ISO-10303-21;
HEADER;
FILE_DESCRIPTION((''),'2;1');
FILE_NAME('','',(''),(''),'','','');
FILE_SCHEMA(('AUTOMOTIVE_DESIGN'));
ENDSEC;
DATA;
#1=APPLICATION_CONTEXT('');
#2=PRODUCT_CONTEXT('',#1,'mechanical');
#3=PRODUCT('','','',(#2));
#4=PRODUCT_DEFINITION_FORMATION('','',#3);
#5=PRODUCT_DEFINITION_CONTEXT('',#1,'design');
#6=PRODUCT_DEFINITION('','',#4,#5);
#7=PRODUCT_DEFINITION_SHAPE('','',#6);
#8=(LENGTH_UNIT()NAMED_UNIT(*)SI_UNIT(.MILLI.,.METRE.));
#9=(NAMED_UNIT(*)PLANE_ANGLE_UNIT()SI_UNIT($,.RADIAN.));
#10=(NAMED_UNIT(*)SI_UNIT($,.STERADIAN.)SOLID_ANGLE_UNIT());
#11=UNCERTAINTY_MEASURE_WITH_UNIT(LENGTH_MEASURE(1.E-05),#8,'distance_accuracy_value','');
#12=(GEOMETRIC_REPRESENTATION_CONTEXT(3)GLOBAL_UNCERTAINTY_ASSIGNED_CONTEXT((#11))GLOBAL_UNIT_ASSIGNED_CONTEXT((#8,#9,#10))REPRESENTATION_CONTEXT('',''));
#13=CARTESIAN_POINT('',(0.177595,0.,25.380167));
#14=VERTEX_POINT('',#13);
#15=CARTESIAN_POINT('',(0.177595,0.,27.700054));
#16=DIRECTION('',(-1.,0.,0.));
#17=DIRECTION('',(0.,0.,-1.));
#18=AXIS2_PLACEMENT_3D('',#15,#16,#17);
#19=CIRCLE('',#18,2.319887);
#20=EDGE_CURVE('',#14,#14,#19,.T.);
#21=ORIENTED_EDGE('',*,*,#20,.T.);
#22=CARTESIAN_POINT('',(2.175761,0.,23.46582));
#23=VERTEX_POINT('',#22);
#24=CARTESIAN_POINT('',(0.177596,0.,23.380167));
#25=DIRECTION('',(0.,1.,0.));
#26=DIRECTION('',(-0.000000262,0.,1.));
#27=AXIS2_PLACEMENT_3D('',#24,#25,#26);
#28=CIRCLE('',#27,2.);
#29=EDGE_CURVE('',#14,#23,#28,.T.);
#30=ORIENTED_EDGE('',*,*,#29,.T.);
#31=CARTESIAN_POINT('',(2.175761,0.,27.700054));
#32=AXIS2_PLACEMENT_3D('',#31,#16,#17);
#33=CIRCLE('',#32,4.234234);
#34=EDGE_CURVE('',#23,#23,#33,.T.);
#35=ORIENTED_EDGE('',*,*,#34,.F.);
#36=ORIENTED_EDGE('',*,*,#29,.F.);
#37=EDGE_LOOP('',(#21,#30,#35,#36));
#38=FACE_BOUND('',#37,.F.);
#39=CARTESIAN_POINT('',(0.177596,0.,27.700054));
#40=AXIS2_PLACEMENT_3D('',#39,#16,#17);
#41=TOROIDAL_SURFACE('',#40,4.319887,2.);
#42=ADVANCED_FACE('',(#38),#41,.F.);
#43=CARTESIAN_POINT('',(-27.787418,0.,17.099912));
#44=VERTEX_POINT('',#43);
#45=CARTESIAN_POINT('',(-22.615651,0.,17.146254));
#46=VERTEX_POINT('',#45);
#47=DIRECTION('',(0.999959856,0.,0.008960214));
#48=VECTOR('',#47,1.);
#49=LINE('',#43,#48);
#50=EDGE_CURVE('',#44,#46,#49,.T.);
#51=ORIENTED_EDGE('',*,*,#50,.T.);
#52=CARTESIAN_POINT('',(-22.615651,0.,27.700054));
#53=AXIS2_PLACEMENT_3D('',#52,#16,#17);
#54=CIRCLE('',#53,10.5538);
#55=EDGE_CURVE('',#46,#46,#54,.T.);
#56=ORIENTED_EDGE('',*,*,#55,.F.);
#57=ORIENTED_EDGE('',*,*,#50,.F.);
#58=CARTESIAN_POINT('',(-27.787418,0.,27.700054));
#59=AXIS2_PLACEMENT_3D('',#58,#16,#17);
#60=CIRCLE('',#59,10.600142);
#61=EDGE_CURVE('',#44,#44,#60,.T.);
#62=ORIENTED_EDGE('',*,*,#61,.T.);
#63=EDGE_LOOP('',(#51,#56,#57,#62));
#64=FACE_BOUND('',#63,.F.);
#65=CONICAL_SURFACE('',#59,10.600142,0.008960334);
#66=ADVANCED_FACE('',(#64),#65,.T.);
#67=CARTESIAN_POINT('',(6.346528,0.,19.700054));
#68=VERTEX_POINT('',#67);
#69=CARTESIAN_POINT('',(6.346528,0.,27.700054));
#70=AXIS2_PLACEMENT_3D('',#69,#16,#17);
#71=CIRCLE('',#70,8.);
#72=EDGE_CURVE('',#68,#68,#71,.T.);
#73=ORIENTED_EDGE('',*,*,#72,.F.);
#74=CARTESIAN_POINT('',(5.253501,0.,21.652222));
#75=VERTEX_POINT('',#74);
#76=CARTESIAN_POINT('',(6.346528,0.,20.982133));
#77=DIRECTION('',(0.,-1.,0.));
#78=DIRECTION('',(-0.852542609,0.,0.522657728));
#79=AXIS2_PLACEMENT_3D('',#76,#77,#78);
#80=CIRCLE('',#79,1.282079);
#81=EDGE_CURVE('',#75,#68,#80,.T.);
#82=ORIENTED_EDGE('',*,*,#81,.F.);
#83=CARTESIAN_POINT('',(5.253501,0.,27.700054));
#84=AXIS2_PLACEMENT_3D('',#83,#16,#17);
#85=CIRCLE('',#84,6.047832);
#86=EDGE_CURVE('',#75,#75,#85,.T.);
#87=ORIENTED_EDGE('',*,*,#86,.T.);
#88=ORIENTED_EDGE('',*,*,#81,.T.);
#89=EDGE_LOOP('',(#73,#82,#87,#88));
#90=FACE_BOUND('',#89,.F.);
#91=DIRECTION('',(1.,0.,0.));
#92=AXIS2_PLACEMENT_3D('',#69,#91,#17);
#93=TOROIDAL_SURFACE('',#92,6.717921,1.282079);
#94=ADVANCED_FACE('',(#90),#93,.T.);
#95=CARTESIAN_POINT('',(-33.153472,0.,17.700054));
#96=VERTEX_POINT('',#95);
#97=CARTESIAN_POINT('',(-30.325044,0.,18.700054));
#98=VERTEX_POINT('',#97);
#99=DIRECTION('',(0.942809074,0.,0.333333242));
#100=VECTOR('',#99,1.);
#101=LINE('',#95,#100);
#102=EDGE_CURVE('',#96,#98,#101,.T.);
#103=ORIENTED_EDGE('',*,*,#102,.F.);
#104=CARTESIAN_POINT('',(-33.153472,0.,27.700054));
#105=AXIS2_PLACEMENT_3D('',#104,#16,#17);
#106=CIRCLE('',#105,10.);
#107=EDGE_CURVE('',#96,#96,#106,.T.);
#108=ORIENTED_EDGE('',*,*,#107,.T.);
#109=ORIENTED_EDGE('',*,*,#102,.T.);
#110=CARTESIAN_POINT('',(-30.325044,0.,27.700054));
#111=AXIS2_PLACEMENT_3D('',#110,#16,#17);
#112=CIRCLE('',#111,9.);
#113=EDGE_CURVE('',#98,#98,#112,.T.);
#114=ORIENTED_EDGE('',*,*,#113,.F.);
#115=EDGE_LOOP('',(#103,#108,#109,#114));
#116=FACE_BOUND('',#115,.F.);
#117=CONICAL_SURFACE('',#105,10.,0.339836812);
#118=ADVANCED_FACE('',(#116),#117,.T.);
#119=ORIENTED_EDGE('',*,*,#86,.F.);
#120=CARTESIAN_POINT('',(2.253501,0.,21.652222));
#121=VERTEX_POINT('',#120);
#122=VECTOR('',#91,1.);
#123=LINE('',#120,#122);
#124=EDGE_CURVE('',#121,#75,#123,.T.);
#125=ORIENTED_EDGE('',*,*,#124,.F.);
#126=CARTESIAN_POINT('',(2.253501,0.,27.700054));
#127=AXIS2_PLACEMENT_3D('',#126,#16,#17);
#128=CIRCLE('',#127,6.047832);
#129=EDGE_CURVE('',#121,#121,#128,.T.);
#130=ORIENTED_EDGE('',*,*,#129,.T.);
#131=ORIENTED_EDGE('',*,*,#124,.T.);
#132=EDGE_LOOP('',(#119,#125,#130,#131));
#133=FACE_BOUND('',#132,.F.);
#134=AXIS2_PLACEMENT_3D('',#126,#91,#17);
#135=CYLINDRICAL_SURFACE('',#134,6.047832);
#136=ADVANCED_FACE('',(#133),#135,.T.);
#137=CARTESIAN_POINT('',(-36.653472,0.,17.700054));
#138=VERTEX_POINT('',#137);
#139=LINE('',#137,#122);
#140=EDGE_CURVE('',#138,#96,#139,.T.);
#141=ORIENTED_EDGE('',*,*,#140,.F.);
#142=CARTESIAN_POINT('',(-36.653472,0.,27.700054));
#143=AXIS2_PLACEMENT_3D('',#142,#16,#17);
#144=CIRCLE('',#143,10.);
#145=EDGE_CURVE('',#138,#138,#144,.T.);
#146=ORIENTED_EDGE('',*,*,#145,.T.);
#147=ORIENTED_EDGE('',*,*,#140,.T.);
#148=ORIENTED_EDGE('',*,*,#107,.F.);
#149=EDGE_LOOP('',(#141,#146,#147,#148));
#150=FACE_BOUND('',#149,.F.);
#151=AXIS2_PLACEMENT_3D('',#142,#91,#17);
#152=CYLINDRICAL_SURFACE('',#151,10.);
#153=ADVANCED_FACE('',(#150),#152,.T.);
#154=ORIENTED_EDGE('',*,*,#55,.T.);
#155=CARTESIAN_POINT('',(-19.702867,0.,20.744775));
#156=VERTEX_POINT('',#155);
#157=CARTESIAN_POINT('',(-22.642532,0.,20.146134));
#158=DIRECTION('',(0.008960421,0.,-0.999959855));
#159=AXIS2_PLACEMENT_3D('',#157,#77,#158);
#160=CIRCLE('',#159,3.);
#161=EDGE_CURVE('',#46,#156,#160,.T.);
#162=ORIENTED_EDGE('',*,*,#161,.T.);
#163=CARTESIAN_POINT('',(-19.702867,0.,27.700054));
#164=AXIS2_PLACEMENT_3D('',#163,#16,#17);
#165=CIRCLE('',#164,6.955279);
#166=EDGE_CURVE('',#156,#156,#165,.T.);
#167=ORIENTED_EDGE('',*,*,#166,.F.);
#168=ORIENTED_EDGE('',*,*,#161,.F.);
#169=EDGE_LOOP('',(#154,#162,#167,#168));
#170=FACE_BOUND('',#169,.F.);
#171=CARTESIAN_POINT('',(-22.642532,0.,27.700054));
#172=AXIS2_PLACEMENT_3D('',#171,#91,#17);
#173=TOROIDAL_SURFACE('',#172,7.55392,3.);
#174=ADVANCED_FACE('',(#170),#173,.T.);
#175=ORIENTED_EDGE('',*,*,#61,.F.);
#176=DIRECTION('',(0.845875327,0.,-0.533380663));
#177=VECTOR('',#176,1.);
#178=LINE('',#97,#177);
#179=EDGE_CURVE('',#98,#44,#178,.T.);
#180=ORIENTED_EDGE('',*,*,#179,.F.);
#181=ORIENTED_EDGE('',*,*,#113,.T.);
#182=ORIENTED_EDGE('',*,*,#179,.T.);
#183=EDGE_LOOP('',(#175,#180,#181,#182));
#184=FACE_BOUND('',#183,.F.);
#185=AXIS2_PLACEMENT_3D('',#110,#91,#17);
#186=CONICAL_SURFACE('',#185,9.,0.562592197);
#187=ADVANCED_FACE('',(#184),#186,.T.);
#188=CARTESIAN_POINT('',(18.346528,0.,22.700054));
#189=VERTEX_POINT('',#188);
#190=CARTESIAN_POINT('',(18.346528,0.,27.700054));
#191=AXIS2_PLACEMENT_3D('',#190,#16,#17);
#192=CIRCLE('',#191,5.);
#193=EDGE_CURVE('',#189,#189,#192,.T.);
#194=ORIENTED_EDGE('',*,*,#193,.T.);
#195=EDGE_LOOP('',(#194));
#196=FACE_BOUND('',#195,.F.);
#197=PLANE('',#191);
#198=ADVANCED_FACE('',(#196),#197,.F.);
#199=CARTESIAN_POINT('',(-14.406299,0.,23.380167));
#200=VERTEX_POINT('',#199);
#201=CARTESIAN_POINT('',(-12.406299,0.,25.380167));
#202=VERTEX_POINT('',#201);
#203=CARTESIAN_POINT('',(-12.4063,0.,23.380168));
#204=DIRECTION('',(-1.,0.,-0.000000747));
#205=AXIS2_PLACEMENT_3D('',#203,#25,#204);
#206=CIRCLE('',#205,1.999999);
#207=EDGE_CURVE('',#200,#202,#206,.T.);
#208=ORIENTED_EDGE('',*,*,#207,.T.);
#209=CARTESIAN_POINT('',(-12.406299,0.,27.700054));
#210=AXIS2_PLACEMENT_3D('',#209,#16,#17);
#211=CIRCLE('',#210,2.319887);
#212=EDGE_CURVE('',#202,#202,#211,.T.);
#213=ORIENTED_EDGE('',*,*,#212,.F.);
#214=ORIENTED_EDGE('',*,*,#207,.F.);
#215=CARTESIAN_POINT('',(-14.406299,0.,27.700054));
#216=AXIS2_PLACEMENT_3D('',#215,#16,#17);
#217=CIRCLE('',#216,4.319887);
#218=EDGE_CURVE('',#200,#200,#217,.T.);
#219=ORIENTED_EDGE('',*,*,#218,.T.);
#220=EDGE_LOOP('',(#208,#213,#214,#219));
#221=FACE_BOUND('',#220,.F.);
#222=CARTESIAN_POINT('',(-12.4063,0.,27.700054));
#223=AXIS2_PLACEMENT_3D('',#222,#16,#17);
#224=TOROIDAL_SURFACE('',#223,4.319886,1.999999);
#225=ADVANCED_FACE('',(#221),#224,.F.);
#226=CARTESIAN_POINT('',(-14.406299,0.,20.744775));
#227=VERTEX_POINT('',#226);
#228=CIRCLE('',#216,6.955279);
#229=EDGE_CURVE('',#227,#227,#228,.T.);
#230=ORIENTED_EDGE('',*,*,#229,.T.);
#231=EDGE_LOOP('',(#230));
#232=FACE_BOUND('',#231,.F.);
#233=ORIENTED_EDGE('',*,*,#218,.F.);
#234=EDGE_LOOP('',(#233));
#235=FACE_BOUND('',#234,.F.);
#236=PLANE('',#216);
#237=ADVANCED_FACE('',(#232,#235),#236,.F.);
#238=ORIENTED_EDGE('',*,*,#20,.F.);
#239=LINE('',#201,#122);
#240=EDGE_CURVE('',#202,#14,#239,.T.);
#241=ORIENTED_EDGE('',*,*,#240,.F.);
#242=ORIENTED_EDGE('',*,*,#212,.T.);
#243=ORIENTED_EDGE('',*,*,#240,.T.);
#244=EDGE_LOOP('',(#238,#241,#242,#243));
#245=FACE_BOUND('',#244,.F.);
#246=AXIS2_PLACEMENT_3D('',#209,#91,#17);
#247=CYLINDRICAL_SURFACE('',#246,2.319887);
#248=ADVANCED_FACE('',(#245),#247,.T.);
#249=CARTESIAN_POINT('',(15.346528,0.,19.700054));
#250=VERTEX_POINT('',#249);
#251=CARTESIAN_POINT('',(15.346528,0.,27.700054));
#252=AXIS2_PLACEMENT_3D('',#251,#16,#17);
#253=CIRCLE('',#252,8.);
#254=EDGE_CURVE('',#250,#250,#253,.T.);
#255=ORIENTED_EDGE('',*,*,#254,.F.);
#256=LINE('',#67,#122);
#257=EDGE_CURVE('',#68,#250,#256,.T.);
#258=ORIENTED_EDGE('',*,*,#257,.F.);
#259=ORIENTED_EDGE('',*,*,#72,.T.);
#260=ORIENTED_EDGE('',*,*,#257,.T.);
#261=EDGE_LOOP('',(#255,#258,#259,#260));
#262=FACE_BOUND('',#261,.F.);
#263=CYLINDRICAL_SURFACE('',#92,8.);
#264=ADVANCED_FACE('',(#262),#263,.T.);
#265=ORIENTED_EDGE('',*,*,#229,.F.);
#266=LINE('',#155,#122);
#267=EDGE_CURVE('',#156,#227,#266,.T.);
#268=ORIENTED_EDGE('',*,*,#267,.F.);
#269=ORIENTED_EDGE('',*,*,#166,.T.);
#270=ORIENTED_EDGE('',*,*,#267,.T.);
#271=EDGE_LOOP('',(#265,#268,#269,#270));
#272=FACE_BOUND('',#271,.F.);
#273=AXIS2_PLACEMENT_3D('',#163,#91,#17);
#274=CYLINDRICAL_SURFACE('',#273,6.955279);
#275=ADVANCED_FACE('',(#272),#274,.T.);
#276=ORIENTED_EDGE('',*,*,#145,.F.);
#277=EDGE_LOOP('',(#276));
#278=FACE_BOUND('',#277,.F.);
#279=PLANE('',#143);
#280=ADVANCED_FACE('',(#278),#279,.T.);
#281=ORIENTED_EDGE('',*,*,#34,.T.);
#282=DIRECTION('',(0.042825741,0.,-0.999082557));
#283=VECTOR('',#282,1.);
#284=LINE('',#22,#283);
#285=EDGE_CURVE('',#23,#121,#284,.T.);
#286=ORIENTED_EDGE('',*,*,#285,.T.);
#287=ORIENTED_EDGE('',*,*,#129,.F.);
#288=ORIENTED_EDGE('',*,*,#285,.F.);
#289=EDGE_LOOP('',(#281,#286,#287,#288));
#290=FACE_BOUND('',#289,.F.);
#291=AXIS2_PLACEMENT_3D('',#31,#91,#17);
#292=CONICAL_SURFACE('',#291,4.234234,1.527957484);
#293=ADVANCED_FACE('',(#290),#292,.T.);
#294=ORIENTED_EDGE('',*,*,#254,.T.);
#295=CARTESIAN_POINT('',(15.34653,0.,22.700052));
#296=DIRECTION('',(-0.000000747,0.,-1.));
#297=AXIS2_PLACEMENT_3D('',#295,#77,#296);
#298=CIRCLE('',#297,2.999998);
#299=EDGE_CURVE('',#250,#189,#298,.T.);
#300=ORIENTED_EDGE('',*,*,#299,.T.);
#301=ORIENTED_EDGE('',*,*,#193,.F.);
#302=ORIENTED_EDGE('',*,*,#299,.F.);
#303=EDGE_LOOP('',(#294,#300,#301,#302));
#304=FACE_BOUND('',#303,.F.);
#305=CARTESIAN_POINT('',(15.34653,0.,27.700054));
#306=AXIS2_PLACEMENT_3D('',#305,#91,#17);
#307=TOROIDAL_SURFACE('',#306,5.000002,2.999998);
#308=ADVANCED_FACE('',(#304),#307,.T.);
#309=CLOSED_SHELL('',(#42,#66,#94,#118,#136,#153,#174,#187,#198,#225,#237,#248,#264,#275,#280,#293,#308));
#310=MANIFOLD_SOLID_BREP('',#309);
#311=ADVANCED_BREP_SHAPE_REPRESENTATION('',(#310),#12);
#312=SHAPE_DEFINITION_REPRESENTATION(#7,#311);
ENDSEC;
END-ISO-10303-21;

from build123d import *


with BuildPart() as f1:
    # F0 (on Front) → F1 (revolve)
    with BuildSketch(Plane.XZ):
        with BuildLine():
            Line((18.346528, 27.700054), (-36.653472, 27.700054))
            Line((-36.653472, 27.700054), (-36.653472, 17.700054))
            Line((-36.653472, 17.700054), (-33.153472, 17.700054))
            Line((-33.153472, 17.700054), (-30.325044, 18.700054))
            Line((-30.325044, 18.700054), (-27.787418, 17.099912))
            Line((-27.787418, 17.099912), (-22.615651, 17.146254))
            ThreePointArc((-22.615651, 17.146254), (-20.310701, 18.258658), (-19.702867, 20.744775))
            Line((-19.702867, 20.744775), (-14.406299, 20.744775))
            Line((-14.406299, 20.744775), (-14.406299, 23.380167))
            ThreePointArc((-14.406299, 23.380167), (-13.820513, 24.794381), (-12.406299, 25.380167))
            Line((-12.406299, 25.380167), (0.177595, 25.380167))
            ThreePointArc((0.177595, 25.380167), (1.561195, 24.824346), (2.175761, 23.46582))
            Line((2.175761, 23.46582), (2.253501, 21.652222))
            Line((2.253501, 21.652222), (5.253501, 21.652222))
            ThreePointArc((5.253501, 21.652222), (5.227861, 20.355786), (6.346528, 19.700054))
            Line((6.346528, 19.700054), (15.346528, 19.700054))
            ThreePointArc((15.346528, 19.700054), (17.467849, 20.578733), (18.346528, 22.700054))
            Line((18.346528, 22.700054), (18.346528, 27.700054))
        make_face()
    revolve(axis=Axis((-42.259167, 0, 27.700054), (-1, 0, 0)))


solid = f1.part
